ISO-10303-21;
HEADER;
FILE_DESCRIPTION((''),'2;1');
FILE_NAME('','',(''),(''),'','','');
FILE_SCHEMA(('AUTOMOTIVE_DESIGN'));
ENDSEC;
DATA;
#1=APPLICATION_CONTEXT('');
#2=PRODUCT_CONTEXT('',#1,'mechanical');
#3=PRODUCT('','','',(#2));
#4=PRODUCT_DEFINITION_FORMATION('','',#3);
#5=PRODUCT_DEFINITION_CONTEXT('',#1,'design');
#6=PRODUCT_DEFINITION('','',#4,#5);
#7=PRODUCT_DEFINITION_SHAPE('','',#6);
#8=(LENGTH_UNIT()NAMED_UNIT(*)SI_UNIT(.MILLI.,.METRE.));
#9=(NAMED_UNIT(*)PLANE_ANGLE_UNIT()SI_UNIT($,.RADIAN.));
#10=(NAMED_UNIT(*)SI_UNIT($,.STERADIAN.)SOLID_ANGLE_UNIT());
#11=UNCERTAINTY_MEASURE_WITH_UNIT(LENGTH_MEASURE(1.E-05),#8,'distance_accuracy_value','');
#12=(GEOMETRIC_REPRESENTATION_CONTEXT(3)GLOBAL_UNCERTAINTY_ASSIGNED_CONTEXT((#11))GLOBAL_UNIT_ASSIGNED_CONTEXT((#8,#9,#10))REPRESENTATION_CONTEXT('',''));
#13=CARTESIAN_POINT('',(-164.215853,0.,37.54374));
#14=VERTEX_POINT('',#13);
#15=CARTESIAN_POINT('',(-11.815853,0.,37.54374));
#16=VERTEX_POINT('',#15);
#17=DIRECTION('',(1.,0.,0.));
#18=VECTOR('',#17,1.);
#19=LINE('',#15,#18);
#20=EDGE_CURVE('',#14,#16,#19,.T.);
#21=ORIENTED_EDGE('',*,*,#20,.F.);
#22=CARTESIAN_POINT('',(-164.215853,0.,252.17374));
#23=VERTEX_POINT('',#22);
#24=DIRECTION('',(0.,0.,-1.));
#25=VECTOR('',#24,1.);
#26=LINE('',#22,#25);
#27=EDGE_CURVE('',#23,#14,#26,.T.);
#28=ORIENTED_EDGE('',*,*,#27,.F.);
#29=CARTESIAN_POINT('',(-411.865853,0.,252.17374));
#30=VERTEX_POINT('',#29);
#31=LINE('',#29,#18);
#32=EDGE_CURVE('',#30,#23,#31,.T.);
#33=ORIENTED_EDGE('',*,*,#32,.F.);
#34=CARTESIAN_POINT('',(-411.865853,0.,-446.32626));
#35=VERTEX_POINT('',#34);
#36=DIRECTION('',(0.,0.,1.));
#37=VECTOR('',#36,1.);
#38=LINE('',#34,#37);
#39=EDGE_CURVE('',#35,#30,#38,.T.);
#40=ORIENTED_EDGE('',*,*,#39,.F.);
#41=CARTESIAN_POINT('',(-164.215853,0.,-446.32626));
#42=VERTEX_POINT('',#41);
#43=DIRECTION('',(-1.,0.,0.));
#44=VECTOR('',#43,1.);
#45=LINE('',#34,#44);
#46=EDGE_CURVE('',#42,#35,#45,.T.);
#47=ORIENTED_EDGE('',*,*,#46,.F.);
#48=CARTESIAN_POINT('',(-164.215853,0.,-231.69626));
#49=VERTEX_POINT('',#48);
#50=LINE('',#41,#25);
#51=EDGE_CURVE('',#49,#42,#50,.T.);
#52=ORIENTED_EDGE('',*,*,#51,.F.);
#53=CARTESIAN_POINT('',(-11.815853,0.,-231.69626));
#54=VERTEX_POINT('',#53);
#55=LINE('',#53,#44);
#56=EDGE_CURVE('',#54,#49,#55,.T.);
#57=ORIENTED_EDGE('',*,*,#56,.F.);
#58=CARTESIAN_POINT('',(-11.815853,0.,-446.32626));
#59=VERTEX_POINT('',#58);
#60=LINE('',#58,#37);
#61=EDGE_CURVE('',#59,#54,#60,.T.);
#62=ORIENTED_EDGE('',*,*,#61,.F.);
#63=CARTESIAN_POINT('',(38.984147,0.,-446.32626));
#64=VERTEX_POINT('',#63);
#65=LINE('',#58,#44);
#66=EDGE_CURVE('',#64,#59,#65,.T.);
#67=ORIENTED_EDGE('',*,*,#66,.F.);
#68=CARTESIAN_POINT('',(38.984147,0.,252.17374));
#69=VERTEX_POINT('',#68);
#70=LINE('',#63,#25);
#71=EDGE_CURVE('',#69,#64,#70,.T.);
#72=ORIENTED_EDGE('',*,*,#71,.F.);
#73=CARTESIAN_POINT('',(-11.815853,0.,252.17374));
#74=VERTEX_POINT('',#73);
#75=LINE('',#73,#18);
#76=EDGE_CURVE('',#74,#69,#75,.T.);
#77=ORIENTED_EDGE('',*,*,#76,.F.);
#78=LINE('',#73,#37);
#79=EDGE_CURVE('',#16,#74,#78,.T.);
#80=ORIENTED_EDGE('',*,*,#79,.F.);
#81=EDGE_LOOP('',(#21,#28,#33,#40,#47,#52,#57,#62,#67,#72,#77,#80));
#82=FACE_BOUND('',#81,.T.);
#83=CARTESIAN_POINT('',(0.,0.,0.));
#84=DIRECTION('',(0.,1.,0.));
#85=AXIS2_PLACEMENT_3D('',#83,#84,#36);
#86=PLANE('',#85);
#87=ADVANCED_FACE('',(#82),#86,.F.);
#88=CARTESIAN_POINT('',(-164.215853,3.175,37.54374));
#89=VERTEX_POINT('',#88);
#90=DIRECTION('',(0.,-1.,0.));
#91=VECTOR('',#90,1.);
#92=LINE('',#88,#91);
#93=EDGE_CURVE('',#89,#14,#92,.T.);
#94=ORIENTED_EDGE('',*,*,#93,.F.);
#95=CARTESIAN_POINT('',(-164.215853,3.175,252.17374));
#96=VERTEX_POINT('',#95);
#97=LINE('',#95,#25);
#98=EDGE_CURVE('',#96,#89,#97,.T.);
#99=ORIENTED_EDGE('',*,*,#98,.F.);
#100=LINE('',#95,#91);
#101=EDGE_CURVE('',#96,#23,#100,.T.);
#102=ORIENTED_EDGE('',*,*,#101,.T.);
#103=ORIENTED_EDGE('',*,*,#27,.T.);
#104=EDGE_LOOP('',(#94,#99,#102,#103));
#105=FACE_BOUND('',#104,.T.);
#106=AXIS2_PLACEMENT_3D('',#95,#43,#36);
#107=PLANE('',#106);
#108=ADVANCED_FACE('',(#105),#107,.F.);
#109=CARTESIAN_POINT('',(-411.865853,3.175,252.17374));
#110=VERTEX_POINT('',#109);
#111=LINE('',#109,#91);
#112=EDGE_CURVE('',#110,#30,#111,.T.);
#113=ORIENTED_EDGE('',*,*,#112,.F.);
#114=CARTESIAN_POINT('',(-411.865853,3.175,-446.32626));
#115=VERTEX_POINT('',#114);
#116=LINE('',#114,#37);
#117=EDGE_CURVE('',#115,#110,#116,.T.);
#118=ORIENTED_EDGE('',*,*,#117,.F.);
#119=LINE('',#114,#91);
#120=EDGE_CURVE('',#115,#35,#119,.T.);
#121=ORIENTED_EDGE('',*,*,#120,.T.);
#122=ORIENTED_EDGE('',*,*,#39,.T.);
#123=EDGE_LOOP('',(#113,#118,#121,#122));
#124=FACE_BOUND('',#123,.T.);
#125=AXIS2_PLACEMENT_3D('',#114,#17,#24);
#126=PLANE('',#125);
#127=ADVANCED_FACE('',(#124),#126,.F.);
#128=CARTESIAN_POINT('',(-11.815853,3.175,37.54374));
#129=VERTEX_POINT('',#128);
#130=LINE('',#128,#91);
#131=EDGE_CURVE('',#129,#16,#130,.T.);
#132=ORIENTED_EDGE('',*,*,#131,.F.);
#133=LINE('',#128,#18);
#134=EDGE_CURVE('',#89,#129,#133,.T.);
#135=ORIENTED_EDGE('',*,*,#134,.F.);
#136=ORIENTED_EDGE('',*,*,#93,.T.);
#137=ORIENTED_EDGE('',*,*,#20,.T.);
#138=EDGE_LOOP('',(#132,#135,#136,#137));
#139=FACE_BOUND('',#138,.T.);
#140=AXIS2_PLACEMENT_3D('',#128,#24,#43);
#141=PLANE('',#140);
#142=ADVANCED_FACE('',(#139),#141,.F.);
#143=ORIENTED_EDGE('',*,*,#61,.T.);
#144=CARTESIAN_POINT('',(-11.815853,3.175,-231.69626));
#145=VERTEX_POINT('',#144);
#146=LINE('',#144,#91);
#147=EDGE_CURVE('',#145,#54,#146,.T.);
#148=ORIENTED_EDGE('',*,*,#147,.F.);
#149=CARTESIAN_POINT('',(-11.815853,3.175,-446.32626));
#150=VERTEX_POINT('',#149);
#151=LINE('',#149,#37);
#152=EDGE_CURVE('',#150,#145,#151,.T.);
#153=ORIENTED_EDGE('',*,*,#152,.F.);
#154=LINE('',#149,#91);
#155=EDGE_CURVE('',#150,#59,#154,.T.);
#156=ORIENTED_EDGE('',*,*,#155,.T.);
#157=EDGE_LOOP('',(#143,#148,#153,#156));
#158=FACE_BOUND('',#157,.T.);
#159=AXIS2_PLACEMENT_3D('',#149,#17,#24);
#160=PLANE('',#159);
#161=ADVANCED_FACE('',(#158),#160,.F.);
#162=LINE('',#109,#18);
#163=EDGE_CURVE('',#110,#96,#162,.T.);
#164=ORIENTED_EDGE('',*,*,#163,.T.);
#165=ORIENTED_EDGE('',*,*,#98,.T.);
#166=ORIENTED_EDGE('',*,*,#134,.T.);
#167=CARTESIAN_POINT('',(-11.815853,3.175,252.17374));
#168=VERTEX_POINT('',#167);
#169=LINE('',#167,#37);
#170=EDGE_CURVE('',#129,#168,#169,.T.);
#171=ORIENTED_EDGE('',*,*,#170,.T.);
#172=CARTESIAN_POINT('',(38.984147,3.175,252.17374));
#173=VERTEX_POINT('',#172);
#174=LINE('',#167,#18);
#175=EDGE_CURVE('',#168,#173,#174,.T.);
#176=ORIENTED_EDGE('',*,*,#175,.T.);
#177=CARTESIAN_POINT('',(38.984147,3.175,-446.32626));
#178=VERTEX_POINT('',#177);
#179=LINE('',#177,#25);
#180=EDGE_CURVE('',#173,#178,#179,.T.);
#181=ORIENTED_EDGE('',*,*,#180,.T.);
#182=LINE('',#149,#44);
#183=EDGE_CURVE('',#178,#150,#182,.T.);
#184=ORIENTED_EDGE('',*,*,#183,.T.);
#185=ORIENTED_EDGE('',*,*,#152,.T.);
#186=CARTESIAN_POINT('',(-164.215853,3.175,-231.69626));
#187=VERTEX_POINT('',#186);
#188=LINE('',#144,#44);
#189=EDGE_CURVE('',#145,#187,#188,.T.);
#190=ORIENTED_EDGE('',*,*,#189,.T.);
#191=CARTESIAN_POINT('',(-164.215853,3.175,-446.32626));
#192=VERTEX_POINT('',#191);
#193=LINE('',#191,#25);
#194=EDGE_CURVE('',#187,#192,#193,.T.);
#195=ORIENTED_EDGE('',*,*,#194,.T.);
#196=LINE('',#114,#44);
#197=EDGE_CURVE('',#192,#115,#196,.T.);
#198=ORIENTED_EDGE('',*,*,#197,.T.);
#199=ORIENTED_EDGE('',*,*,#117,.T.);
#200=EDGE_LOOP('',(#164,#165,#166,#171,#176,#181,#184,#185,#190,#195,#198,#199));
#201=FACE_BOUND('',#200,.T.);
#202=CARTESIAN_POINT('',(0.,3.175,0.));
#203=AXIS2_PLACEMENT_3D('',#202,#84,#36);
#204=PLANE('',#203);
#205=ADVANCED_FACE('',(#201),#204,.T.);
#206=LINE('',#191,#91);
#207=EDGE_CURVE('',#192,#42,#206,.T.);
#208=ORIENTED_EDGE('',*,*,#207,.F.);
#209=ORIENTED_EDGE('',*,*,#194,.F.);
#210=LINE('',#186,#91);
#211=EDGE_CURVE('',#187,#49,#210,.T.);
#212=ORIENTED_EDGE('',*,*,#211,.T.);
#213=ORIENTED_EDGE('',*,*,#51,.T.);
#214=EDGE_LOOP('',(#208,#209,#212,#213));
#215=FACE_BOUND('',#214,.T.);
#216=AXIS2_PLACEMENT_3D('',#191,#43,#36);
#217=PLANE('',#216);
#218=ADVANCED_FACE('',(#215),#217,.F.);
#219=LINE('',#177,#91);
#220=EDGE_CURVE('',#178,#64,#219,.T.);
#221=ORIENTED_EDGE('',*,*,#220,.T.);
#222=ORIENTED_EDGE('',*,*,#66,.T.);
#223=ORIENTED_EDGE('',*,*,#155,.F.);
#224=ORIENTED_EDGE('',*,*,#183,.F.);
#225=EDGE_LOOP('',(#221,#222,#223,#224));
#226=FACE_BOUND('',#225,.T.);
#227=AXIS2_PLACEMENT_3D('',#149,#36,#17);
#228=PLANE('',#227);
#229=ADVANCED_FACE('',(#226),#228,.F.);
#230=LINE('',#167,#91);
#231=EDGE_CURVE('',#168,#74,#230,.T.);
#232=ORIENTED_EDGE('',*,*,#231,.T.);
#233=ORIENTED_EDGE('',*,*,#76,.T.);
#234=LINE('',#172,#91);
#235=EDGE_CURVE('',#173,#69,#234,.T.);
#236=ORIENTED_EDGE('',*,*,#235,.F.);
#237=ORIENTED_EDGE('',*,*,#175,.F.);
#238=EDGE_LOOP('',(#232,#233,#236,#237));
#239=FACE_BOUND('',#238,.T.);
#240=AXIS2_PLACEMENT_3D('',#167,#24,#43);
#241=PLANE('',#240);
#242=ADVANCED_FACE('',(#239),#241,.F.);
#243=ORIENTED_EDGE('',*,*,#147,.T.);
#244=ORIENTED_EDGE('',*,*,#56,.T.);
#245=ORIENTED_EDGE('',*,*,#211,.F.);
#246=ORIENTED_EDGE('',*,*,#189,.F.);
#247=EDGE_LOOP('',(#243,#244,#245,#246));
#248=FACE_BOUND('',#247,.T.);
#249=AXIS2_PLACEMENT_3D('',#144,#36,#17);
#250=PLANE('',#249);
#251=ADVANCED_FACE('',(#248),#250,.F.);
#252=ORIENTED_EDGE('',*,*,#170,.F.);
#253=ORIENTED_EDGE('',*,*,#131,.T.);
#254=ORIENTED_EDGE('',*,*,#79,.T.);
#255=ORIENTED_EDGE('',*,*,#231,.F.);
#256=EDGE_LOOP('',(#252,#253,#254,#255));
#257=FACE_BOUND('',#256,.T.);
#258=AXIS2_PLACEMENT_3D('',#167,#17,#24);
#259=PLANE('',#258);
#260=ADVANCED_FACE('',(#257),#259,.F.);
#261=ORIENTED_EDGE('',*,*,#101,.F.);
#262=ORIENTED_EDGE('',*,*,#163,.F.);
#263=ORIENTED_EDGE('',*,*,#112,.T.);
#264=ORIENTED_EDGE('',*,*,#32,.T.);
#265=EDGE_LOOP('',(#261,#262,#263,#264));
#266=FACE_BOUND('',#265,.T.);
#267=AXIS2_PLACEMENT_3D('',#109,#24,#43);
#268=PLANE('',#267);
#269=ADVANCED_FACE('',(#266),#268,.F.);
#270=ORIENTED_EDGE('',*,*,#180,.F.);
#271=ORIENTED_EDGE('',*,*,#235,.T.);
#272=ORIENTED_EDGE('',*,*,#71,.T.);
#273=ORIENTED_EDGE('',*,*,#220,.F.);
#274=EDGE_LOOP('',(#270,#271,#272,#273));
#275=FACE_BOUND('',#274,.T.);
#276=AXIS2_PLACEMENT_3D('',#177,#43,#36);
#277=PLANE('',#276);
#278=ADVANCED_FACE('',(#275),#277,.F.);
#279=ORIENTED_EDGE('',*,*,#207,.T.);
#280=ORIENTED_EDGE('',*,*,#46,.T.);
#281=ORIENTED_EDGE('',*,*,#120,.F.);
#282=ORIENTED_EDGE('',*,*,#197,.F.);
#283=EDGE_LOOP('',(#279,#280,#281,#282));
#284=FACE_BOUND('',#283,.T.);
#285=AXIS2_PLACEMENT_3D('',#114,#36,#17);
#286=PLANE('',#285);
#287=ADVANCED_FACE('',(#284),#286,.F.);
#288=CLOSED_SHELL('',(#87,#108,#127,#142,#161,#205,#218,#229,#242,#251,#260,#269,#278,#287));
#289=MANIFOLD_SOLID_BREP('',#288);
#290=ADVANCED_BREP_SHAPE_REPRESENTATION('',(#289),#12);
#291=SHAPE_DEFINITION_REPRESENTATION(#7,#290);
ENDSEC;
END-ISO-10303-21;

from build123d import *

# Parameters (mm, degrees)
BOSS_EXTRUDE1_DEPTH = 3.175


with BuildPart() as part:
    # Sketch1 → Boss-Extrude1 (new body)
    with BuildSketch(Plane(origin=(0, 0, 0), x_dir=(1, 0, 0), z_dir=(0, 1, 0))):
        Polygon((-11.815852537, 446.32626), (38.984147463, 446.32626), (38.984147463, -252.17374), (-11.815852537, -252.17374), (-11.815852537, -37.54374), (-164.215852537, -37.54374), (-164.215852537, -252.17374), (-411.865852537, -252.17374), (-411.865852537, 446.32626), (-164.215852537, 446.32626), (-164.215852537, 231.69626), (-11.815852537, 231.69626), align=None)
    extrude(amount=BOSS_EXTRUDE1_DEPTH)


solid = part.part
